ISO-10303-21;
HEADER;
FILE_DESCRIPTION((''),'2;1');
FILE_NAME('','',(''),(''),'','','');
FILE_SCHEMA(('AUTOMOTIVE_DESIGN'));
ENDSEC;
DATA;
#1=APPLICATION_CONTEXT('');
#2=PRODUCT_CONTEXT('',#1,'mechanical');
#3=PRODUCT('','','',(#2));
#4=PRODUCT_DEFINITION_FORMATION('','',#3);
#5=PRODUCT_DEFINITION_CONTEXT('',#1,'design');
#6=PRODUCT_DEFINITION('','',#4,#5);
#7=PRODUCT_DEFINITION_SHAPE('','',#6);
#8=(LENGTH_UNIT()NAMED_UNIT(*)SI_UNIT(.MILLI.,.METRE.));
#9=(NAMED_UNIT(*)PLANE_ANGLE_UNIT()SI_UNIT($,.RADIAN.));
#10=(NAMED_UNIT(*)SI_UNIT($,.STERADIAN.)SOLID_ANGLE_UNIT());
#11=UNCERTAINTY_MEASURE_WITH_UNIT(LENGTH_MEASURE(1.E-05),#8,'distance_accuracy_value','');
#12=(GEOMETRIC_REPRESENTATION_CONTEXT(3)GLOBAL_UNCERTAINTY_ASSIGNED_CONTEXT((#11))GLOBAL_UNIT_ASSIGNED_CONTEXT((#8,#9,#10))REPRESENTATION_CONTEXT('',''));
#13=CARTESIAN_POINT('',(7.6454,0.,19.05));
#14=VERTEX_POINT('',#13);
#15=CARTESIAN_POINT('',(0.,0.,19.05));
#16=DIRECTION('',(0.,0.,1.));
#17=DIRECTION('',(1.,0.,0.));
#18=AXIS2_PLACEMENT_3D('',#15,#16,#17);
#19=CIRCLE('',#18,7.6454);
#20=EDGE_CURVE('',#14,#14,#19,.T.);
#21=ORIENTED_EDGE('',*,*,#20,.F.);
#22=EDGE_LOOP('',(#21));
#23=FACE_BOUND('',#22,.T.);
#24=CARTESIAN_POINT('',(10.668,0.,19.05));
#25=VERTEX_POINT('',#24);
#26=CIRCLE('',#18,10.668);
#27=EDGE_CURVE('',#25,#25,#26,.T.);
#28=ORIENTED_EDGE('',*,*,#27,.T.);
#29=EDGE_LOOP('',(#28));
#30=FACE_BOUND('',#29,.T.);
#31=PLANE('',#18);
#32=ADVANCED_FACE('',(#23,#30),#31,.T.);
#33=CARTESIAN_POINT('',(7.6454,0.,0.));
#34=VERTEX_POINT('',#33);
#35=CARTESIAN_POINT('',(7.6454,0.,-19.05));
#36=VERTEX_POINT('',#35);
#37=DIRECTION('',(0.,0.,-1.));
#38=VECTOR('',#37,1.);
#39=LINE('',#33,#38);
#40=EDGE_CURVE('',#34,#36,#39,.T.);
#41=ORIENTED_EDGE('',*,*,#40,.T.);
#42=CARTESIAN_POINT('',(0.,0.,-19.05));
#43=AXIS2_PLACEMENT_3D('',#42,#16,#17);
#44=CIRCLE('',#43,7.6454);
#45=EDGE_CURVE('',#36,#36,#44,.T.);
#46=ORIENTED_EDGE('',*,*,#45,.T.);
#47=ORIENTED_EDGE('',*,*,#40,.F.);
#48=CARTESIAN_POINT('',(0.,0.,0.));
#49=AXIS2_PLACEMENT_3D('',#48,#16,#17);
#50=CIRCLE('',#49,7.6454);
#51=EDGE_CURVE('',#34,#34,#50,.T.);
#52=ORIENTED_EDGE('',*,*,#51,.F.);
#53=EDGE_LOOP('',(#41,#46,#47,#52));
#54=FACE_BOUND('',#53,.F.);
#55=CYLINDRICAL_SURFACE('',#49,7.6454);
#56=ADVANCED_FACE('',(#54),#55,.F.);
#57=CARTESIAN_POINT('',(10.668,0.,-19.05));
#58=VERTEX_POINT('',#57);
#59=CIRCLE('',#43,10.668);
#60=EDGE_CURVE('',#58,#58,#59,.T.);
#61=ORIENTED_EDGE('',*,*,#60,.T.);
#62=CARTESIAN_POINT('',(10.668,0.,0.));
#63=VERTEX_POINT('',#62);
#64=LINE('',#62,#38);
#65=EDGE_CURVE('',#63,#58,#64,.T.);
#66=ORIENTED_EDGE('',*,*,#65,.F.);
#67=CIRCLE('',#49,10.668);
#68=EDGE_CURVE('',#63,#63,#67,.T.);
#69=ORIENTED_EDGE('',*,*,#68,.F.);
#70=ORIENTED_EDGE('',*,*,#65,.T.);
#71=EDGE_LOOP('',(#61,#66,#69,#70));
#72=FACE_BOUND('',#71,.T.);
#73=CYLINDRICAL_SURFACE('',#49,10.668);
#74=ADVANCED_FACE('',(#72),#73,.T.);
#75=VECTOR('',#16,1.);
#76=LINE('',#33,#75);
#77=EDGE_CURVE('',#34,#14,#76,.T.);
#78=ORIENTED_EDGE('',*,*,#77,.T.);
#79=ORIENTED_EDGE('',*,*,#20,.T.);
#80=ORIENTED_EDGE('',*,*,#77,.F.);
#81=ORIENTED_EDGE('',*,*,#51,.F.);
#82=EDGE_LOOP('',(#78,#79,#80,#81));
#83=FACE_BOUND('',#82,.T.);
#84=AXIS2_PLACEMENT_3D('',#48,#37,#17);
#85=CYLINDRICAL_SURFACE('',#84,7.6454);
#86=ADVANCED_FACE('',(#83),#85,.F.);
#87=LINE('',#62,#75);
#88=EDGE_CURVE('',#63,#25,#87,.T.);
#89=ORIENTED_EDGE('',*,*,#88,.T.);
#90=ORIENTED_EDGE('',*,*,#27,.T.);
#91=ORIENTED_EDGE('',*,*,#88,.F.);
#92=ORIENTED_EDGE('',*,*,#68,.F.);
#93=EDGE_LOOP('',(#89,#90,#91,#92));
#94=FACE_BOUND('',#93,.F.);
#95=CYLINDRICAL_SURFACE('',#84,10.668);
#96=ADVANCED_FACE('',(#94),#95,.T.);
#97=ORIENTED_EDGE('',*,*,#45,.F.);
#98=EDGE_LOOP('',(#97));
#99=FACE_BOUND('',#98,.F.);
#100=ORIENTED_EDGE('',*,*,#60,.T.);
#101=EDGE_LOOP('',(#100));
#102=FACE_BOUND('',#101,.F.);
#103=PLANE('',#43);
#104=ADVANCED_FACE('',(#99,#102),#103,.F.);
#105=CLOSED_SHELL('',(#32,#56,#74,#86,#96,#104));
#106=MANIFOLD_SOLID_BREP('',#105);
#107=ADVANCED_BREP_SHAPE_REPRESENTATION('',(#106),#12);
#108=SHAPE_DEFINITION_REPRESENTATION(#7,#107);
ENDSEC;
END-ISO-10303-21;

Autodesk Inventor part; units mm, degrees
ref_plane "YZ Plane" through (0, 0, 0) normal (1, 0, 0) x (0, 1, 0)
ref_plane "XZ Plane" through (0, 0, 0) normal (0, 1, 0) x (-1, 0, 0)
ref_plane "XY Plane" through (0, 0, 0) normal (0, 0, 1) x (1, 0, 0)
sketch "Sketch1" plane through (0, 0, 0) normal (0, 0, 1) x (1, 0, 0)
  circle A0 centre (0, 0) radius 7.6454
  circle A1 centre (0, 0) radius 10.668
  dimension "d0" = 15.2908
  dimension "d1" = 21.336
extrude "Extrusion1" add sketch "Sketch1" along normal mid plane 38.1
properties part number "1_5 inch PVC Spacer"
